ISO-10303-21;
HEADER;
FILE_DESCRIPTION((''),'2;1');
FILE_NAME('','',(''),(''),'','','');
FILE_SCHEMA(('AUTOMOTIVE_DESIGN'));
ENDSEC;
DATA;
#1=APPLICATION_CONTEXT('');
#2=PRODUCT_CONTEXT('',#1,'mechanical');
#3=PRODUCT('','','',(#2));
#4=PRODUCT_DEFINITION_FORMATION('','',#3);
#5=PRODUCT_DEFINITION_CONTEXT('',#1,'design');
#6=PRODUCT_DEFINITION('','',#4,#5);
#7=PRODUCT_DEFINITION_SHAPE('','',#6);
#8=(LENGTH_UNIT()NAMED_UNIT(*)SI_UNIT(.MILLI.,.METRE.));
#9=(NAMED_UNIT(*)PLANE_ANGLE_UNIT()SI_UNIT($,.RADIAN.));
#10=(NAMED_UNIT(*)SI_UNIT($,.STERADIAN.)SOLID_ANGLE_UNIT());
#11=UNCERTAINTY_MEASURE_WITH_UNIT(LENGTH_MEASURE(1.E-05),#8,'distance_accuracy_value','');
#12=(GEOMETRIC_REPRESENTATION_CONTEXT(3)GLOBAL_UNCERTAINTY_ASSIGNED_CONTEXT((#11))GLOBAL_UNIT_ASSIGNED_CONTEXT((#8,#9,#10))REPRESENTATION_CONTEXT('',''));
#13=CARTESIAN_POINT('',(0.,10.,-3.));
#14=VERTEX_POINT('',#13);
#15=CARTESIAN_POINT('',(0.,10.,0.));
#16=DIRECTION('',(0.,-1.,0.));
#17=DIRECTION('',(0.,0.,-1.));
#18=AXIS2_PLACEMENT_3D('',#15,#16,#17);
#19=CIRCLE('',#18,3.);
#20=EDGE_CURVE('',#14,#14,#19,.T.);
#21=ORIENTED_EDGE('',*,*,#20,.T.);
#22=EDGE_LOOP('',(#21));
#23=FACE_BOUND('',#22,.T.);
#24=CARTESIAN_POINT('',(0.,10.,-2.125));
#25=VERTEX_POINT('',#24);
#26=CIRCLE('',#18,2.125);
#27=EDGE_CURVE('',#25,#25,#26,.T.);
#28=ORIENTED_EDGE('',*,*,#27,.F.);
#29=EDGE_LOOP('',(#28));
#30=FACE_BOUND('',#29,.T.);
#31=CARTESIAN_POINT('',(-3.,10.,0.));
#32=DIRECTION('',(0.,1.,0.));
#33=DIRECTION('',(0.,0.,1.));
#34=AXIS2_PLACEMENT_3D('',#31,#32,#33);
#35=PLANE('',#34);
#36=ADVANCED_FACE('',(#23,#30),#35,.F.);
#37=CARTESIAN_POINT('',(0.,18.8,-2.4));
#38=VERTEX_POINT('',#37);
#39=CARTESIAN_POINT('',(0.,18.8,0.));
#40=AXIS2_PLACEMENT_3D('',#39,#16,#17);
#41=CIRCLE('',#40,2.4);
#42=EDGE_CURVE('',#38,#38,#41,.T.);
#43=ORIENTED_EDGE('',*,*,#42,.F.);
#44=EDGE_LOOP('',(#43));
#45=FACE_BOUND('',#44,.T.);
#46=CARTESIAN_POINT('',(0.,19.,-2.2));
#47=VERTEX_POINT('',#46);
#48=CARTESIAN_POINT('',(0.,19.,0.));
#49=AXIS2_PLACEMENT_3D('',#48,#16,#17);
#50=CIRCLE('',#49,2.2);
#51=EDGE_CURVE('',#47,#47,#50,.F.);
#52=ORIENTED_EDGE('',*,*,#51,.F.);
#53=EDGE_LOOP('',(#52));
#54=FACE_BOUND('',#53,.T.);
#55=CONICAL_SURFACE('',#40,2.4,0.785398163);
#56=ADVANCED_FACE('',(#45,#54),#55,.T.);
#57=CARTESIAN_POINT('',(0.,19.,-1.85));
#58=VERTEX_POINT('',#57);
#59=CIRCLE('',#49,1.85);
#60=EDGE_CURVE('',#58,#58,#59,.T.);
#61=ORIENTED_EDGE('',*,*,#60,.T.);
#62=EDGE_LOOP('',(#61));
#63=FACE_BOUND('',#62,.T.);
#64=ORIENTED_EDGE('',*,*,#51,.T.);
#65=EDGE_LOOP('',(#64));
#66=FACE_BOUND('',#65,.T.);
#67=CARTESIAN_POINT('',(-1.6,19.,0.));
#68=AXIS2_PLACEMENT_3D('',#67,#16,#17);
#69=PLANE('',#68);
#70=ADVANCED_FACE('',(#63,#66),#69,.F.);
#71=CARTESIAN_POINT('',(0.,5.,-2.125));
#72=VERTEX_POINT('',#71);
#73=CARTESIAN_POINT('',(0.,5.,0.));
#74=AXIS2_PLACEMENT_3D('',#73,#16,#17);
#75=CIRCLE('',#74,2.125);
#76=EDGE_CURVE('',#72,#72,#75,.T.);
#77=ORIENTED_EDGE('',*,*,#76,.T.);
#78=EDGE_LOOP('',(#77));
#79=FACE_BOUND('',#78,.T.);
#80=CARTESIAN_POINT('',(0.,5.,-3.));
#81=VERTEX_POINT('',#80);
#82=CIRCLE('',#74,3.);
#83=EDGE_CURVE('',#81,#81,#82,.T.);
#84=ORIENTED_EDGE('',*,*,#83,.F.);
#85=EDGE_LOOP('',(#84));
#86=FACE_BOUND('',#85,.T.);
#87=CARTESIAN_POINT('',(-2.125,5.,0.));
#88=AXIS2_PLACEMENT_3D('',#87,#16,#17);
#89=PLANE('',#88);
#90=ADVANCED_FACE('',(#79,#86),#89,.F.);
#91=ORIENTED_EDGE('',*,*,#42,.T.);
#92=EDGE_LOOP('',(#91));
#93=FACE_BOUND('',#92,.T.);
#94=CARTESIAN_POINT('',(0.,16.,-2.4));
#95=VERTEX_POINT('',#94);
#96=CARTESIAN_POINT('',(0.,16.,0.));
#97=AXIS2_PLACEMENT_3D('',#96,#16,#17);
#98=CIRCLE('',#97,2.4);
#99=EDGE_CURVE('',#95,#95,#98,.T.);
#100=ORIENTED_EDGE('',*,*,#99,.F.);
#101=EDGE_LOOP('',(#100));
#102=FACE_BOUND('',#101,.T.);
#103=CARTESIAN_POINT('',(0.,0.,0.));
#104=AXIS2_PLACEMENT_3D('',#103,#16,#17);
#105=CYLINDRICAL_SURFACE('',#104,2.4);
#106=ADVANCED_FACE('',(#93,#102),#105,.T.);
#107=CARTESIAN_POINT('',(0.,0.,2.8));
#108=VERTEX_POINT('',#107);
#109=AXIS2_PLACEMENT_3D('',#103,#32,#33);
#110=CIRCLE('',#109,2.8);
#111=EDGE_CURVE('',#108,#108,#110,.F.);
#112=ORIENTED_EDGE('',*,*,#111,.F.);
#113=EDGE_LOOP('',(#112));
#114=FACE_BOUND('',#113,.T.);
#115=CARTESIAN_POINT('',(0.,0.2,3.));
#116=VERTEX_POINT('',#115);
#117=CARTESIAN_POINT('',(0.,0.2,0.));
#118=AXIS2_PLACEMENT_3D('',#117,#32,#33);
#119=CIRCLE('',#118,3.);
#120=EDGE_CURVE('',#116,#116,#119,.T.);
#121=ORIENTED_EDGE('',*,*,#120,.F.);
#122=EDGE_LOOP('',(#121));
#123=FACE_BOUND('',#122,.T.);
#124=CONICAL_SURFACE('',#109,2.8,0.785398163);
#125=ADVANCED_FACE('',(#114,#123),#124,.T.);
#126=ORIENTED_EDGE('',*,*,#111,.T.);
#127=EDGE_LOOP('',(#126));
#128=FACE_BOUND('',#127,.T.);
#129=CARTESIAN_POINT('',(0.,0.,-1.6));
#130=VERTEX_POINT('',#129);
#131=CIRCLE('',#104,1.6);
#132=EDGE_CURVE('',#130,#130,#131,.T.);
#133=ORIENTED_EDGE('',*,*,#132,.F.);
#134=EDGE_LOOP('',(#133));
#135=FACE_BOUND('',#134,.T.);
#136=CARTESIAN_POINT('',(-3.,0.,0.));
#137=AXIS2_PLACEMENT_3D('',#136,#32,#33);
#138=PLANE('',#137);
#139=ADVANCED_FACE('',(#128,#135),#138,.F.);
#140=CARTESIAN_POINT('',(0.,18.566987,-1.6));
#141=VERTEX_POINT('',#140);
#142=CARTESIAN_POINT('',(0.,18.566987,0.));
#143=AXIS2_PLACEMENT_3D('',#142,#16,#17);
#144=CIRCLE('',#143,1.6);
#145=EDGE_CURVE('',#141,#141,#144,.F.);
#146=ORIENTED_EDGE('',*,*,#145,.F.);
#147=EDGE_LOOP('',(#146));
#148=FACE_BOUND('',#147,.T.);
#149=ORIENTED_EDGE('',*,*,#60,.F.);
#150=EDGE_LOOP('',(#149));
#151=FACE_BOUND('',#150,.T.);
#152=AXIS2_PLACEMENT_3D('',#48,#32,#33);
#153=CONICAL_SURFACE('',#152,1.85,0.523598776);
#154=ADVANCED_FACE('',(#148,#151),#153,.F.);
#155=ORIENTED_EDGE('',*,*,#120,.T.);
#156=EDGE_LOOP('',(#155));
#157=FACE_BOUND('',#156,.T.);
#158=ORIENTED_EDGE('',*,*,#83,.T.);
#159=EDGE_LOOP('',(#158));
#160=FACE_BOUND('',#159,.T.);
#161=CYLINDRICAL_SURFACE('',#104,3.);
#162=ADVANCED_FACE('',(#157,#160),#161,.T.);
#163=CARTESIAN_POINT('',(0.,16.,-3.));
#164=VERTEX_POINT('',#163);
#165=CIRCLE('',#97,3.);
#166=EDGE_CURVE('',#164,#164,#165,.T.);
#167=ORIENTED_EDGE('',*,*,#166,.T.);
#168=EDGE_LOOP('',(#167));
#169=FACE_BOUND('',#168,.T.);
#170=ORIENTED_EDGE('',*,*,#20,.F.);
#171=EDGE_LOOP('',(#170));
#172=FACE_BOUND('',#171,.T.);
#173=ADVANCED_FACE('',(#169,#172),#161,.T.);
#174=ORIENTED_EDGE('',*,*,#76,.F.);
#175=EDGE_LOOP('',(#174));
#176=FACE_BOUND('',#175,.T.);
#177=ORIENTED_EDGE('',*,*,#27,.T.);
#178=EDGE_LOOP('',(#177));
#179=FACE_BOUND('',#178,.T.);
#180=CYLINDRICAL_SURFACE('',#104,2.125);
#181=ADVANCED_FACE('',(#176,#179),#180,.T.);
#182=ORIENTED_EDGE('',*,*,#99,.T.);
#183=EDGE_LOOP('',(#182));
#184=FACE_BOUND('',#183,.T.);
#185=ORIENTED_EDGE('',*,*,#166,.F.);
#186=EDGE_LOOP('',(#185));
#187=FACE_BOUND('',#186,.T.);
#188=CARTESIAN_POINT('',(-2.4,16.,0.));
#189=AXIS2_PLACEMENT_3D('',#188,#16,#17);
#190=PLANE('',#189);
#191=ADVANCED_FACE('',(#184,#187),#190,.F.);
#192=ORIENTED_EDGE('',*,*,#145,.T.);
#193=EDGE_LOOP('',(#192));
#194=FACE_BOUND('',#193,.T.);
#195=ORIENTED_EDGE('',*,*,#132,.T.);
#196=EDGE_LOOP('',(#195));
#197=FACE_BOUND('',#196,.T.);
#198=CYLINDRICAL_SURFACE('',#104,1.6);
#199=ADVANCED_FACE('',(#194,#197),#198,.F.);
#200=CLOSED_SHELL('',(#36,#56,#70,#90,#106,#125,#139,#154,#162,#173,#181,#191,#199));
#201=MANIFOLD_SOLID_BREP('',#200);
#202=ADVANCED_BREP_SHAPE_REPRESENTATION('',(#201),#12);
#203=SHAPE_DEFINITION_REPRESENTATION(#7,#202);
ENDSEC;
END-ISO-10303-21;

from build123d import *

# Parameters (mm, degrees)
CHAFL_N4_SIZE  = 0.2
CHAFL_N5_SIZE  = 0.25
CHAFL_N5_SIZE2 = 0.433012702


with BuildPart() as part:
    # Croquis3 → Revolución1 (revolve)
    with BuildSketch(Plane.XY, mode=Mode.PRIVATE) as revoluci_n1_sk:
        Polygon((-1.6, 0), (-1.6, 19), (-2.4, 19), (-2.4, 16), (-3, 16), (-3, 10), (-2.125, 10), (-2.125, 5), (-3, 5), (-3, 0), align=None)
    revolve(revoluci_n1_sk.sketch.rotate(Axis((0, 0, 0), (0, 1, 0)), 270), axis=Axis((0, 0, 0), (0, 1, 0)))

    # Chaflán4
    chafl_n4_edges = [part.edges().sort_by_distance(p)[0] for p in [
        (0, 19, 2.4),
        (0, 0, 3),
    ]]
    chamfer(chafl_n4_edges, length=CHAFL_N4_SIZE)

    # Chaflán5
    chafl_n5_edges = [part.edges().sort_by_distance(p)[0] for p in [
        (0, 19, 1.6),
    ]]
    chafl_n5_side = [part.faces().sort_by_distance(p)[0] for p in [
        (0, 19, 2.137774603),
    ]]
    chamfer(chafl_n5_edges, length=CHAFL_N5_SIZE, length2=CHAFL_N5_SIZE2, reference=chafl_n5_side[0])


solid = part.part
